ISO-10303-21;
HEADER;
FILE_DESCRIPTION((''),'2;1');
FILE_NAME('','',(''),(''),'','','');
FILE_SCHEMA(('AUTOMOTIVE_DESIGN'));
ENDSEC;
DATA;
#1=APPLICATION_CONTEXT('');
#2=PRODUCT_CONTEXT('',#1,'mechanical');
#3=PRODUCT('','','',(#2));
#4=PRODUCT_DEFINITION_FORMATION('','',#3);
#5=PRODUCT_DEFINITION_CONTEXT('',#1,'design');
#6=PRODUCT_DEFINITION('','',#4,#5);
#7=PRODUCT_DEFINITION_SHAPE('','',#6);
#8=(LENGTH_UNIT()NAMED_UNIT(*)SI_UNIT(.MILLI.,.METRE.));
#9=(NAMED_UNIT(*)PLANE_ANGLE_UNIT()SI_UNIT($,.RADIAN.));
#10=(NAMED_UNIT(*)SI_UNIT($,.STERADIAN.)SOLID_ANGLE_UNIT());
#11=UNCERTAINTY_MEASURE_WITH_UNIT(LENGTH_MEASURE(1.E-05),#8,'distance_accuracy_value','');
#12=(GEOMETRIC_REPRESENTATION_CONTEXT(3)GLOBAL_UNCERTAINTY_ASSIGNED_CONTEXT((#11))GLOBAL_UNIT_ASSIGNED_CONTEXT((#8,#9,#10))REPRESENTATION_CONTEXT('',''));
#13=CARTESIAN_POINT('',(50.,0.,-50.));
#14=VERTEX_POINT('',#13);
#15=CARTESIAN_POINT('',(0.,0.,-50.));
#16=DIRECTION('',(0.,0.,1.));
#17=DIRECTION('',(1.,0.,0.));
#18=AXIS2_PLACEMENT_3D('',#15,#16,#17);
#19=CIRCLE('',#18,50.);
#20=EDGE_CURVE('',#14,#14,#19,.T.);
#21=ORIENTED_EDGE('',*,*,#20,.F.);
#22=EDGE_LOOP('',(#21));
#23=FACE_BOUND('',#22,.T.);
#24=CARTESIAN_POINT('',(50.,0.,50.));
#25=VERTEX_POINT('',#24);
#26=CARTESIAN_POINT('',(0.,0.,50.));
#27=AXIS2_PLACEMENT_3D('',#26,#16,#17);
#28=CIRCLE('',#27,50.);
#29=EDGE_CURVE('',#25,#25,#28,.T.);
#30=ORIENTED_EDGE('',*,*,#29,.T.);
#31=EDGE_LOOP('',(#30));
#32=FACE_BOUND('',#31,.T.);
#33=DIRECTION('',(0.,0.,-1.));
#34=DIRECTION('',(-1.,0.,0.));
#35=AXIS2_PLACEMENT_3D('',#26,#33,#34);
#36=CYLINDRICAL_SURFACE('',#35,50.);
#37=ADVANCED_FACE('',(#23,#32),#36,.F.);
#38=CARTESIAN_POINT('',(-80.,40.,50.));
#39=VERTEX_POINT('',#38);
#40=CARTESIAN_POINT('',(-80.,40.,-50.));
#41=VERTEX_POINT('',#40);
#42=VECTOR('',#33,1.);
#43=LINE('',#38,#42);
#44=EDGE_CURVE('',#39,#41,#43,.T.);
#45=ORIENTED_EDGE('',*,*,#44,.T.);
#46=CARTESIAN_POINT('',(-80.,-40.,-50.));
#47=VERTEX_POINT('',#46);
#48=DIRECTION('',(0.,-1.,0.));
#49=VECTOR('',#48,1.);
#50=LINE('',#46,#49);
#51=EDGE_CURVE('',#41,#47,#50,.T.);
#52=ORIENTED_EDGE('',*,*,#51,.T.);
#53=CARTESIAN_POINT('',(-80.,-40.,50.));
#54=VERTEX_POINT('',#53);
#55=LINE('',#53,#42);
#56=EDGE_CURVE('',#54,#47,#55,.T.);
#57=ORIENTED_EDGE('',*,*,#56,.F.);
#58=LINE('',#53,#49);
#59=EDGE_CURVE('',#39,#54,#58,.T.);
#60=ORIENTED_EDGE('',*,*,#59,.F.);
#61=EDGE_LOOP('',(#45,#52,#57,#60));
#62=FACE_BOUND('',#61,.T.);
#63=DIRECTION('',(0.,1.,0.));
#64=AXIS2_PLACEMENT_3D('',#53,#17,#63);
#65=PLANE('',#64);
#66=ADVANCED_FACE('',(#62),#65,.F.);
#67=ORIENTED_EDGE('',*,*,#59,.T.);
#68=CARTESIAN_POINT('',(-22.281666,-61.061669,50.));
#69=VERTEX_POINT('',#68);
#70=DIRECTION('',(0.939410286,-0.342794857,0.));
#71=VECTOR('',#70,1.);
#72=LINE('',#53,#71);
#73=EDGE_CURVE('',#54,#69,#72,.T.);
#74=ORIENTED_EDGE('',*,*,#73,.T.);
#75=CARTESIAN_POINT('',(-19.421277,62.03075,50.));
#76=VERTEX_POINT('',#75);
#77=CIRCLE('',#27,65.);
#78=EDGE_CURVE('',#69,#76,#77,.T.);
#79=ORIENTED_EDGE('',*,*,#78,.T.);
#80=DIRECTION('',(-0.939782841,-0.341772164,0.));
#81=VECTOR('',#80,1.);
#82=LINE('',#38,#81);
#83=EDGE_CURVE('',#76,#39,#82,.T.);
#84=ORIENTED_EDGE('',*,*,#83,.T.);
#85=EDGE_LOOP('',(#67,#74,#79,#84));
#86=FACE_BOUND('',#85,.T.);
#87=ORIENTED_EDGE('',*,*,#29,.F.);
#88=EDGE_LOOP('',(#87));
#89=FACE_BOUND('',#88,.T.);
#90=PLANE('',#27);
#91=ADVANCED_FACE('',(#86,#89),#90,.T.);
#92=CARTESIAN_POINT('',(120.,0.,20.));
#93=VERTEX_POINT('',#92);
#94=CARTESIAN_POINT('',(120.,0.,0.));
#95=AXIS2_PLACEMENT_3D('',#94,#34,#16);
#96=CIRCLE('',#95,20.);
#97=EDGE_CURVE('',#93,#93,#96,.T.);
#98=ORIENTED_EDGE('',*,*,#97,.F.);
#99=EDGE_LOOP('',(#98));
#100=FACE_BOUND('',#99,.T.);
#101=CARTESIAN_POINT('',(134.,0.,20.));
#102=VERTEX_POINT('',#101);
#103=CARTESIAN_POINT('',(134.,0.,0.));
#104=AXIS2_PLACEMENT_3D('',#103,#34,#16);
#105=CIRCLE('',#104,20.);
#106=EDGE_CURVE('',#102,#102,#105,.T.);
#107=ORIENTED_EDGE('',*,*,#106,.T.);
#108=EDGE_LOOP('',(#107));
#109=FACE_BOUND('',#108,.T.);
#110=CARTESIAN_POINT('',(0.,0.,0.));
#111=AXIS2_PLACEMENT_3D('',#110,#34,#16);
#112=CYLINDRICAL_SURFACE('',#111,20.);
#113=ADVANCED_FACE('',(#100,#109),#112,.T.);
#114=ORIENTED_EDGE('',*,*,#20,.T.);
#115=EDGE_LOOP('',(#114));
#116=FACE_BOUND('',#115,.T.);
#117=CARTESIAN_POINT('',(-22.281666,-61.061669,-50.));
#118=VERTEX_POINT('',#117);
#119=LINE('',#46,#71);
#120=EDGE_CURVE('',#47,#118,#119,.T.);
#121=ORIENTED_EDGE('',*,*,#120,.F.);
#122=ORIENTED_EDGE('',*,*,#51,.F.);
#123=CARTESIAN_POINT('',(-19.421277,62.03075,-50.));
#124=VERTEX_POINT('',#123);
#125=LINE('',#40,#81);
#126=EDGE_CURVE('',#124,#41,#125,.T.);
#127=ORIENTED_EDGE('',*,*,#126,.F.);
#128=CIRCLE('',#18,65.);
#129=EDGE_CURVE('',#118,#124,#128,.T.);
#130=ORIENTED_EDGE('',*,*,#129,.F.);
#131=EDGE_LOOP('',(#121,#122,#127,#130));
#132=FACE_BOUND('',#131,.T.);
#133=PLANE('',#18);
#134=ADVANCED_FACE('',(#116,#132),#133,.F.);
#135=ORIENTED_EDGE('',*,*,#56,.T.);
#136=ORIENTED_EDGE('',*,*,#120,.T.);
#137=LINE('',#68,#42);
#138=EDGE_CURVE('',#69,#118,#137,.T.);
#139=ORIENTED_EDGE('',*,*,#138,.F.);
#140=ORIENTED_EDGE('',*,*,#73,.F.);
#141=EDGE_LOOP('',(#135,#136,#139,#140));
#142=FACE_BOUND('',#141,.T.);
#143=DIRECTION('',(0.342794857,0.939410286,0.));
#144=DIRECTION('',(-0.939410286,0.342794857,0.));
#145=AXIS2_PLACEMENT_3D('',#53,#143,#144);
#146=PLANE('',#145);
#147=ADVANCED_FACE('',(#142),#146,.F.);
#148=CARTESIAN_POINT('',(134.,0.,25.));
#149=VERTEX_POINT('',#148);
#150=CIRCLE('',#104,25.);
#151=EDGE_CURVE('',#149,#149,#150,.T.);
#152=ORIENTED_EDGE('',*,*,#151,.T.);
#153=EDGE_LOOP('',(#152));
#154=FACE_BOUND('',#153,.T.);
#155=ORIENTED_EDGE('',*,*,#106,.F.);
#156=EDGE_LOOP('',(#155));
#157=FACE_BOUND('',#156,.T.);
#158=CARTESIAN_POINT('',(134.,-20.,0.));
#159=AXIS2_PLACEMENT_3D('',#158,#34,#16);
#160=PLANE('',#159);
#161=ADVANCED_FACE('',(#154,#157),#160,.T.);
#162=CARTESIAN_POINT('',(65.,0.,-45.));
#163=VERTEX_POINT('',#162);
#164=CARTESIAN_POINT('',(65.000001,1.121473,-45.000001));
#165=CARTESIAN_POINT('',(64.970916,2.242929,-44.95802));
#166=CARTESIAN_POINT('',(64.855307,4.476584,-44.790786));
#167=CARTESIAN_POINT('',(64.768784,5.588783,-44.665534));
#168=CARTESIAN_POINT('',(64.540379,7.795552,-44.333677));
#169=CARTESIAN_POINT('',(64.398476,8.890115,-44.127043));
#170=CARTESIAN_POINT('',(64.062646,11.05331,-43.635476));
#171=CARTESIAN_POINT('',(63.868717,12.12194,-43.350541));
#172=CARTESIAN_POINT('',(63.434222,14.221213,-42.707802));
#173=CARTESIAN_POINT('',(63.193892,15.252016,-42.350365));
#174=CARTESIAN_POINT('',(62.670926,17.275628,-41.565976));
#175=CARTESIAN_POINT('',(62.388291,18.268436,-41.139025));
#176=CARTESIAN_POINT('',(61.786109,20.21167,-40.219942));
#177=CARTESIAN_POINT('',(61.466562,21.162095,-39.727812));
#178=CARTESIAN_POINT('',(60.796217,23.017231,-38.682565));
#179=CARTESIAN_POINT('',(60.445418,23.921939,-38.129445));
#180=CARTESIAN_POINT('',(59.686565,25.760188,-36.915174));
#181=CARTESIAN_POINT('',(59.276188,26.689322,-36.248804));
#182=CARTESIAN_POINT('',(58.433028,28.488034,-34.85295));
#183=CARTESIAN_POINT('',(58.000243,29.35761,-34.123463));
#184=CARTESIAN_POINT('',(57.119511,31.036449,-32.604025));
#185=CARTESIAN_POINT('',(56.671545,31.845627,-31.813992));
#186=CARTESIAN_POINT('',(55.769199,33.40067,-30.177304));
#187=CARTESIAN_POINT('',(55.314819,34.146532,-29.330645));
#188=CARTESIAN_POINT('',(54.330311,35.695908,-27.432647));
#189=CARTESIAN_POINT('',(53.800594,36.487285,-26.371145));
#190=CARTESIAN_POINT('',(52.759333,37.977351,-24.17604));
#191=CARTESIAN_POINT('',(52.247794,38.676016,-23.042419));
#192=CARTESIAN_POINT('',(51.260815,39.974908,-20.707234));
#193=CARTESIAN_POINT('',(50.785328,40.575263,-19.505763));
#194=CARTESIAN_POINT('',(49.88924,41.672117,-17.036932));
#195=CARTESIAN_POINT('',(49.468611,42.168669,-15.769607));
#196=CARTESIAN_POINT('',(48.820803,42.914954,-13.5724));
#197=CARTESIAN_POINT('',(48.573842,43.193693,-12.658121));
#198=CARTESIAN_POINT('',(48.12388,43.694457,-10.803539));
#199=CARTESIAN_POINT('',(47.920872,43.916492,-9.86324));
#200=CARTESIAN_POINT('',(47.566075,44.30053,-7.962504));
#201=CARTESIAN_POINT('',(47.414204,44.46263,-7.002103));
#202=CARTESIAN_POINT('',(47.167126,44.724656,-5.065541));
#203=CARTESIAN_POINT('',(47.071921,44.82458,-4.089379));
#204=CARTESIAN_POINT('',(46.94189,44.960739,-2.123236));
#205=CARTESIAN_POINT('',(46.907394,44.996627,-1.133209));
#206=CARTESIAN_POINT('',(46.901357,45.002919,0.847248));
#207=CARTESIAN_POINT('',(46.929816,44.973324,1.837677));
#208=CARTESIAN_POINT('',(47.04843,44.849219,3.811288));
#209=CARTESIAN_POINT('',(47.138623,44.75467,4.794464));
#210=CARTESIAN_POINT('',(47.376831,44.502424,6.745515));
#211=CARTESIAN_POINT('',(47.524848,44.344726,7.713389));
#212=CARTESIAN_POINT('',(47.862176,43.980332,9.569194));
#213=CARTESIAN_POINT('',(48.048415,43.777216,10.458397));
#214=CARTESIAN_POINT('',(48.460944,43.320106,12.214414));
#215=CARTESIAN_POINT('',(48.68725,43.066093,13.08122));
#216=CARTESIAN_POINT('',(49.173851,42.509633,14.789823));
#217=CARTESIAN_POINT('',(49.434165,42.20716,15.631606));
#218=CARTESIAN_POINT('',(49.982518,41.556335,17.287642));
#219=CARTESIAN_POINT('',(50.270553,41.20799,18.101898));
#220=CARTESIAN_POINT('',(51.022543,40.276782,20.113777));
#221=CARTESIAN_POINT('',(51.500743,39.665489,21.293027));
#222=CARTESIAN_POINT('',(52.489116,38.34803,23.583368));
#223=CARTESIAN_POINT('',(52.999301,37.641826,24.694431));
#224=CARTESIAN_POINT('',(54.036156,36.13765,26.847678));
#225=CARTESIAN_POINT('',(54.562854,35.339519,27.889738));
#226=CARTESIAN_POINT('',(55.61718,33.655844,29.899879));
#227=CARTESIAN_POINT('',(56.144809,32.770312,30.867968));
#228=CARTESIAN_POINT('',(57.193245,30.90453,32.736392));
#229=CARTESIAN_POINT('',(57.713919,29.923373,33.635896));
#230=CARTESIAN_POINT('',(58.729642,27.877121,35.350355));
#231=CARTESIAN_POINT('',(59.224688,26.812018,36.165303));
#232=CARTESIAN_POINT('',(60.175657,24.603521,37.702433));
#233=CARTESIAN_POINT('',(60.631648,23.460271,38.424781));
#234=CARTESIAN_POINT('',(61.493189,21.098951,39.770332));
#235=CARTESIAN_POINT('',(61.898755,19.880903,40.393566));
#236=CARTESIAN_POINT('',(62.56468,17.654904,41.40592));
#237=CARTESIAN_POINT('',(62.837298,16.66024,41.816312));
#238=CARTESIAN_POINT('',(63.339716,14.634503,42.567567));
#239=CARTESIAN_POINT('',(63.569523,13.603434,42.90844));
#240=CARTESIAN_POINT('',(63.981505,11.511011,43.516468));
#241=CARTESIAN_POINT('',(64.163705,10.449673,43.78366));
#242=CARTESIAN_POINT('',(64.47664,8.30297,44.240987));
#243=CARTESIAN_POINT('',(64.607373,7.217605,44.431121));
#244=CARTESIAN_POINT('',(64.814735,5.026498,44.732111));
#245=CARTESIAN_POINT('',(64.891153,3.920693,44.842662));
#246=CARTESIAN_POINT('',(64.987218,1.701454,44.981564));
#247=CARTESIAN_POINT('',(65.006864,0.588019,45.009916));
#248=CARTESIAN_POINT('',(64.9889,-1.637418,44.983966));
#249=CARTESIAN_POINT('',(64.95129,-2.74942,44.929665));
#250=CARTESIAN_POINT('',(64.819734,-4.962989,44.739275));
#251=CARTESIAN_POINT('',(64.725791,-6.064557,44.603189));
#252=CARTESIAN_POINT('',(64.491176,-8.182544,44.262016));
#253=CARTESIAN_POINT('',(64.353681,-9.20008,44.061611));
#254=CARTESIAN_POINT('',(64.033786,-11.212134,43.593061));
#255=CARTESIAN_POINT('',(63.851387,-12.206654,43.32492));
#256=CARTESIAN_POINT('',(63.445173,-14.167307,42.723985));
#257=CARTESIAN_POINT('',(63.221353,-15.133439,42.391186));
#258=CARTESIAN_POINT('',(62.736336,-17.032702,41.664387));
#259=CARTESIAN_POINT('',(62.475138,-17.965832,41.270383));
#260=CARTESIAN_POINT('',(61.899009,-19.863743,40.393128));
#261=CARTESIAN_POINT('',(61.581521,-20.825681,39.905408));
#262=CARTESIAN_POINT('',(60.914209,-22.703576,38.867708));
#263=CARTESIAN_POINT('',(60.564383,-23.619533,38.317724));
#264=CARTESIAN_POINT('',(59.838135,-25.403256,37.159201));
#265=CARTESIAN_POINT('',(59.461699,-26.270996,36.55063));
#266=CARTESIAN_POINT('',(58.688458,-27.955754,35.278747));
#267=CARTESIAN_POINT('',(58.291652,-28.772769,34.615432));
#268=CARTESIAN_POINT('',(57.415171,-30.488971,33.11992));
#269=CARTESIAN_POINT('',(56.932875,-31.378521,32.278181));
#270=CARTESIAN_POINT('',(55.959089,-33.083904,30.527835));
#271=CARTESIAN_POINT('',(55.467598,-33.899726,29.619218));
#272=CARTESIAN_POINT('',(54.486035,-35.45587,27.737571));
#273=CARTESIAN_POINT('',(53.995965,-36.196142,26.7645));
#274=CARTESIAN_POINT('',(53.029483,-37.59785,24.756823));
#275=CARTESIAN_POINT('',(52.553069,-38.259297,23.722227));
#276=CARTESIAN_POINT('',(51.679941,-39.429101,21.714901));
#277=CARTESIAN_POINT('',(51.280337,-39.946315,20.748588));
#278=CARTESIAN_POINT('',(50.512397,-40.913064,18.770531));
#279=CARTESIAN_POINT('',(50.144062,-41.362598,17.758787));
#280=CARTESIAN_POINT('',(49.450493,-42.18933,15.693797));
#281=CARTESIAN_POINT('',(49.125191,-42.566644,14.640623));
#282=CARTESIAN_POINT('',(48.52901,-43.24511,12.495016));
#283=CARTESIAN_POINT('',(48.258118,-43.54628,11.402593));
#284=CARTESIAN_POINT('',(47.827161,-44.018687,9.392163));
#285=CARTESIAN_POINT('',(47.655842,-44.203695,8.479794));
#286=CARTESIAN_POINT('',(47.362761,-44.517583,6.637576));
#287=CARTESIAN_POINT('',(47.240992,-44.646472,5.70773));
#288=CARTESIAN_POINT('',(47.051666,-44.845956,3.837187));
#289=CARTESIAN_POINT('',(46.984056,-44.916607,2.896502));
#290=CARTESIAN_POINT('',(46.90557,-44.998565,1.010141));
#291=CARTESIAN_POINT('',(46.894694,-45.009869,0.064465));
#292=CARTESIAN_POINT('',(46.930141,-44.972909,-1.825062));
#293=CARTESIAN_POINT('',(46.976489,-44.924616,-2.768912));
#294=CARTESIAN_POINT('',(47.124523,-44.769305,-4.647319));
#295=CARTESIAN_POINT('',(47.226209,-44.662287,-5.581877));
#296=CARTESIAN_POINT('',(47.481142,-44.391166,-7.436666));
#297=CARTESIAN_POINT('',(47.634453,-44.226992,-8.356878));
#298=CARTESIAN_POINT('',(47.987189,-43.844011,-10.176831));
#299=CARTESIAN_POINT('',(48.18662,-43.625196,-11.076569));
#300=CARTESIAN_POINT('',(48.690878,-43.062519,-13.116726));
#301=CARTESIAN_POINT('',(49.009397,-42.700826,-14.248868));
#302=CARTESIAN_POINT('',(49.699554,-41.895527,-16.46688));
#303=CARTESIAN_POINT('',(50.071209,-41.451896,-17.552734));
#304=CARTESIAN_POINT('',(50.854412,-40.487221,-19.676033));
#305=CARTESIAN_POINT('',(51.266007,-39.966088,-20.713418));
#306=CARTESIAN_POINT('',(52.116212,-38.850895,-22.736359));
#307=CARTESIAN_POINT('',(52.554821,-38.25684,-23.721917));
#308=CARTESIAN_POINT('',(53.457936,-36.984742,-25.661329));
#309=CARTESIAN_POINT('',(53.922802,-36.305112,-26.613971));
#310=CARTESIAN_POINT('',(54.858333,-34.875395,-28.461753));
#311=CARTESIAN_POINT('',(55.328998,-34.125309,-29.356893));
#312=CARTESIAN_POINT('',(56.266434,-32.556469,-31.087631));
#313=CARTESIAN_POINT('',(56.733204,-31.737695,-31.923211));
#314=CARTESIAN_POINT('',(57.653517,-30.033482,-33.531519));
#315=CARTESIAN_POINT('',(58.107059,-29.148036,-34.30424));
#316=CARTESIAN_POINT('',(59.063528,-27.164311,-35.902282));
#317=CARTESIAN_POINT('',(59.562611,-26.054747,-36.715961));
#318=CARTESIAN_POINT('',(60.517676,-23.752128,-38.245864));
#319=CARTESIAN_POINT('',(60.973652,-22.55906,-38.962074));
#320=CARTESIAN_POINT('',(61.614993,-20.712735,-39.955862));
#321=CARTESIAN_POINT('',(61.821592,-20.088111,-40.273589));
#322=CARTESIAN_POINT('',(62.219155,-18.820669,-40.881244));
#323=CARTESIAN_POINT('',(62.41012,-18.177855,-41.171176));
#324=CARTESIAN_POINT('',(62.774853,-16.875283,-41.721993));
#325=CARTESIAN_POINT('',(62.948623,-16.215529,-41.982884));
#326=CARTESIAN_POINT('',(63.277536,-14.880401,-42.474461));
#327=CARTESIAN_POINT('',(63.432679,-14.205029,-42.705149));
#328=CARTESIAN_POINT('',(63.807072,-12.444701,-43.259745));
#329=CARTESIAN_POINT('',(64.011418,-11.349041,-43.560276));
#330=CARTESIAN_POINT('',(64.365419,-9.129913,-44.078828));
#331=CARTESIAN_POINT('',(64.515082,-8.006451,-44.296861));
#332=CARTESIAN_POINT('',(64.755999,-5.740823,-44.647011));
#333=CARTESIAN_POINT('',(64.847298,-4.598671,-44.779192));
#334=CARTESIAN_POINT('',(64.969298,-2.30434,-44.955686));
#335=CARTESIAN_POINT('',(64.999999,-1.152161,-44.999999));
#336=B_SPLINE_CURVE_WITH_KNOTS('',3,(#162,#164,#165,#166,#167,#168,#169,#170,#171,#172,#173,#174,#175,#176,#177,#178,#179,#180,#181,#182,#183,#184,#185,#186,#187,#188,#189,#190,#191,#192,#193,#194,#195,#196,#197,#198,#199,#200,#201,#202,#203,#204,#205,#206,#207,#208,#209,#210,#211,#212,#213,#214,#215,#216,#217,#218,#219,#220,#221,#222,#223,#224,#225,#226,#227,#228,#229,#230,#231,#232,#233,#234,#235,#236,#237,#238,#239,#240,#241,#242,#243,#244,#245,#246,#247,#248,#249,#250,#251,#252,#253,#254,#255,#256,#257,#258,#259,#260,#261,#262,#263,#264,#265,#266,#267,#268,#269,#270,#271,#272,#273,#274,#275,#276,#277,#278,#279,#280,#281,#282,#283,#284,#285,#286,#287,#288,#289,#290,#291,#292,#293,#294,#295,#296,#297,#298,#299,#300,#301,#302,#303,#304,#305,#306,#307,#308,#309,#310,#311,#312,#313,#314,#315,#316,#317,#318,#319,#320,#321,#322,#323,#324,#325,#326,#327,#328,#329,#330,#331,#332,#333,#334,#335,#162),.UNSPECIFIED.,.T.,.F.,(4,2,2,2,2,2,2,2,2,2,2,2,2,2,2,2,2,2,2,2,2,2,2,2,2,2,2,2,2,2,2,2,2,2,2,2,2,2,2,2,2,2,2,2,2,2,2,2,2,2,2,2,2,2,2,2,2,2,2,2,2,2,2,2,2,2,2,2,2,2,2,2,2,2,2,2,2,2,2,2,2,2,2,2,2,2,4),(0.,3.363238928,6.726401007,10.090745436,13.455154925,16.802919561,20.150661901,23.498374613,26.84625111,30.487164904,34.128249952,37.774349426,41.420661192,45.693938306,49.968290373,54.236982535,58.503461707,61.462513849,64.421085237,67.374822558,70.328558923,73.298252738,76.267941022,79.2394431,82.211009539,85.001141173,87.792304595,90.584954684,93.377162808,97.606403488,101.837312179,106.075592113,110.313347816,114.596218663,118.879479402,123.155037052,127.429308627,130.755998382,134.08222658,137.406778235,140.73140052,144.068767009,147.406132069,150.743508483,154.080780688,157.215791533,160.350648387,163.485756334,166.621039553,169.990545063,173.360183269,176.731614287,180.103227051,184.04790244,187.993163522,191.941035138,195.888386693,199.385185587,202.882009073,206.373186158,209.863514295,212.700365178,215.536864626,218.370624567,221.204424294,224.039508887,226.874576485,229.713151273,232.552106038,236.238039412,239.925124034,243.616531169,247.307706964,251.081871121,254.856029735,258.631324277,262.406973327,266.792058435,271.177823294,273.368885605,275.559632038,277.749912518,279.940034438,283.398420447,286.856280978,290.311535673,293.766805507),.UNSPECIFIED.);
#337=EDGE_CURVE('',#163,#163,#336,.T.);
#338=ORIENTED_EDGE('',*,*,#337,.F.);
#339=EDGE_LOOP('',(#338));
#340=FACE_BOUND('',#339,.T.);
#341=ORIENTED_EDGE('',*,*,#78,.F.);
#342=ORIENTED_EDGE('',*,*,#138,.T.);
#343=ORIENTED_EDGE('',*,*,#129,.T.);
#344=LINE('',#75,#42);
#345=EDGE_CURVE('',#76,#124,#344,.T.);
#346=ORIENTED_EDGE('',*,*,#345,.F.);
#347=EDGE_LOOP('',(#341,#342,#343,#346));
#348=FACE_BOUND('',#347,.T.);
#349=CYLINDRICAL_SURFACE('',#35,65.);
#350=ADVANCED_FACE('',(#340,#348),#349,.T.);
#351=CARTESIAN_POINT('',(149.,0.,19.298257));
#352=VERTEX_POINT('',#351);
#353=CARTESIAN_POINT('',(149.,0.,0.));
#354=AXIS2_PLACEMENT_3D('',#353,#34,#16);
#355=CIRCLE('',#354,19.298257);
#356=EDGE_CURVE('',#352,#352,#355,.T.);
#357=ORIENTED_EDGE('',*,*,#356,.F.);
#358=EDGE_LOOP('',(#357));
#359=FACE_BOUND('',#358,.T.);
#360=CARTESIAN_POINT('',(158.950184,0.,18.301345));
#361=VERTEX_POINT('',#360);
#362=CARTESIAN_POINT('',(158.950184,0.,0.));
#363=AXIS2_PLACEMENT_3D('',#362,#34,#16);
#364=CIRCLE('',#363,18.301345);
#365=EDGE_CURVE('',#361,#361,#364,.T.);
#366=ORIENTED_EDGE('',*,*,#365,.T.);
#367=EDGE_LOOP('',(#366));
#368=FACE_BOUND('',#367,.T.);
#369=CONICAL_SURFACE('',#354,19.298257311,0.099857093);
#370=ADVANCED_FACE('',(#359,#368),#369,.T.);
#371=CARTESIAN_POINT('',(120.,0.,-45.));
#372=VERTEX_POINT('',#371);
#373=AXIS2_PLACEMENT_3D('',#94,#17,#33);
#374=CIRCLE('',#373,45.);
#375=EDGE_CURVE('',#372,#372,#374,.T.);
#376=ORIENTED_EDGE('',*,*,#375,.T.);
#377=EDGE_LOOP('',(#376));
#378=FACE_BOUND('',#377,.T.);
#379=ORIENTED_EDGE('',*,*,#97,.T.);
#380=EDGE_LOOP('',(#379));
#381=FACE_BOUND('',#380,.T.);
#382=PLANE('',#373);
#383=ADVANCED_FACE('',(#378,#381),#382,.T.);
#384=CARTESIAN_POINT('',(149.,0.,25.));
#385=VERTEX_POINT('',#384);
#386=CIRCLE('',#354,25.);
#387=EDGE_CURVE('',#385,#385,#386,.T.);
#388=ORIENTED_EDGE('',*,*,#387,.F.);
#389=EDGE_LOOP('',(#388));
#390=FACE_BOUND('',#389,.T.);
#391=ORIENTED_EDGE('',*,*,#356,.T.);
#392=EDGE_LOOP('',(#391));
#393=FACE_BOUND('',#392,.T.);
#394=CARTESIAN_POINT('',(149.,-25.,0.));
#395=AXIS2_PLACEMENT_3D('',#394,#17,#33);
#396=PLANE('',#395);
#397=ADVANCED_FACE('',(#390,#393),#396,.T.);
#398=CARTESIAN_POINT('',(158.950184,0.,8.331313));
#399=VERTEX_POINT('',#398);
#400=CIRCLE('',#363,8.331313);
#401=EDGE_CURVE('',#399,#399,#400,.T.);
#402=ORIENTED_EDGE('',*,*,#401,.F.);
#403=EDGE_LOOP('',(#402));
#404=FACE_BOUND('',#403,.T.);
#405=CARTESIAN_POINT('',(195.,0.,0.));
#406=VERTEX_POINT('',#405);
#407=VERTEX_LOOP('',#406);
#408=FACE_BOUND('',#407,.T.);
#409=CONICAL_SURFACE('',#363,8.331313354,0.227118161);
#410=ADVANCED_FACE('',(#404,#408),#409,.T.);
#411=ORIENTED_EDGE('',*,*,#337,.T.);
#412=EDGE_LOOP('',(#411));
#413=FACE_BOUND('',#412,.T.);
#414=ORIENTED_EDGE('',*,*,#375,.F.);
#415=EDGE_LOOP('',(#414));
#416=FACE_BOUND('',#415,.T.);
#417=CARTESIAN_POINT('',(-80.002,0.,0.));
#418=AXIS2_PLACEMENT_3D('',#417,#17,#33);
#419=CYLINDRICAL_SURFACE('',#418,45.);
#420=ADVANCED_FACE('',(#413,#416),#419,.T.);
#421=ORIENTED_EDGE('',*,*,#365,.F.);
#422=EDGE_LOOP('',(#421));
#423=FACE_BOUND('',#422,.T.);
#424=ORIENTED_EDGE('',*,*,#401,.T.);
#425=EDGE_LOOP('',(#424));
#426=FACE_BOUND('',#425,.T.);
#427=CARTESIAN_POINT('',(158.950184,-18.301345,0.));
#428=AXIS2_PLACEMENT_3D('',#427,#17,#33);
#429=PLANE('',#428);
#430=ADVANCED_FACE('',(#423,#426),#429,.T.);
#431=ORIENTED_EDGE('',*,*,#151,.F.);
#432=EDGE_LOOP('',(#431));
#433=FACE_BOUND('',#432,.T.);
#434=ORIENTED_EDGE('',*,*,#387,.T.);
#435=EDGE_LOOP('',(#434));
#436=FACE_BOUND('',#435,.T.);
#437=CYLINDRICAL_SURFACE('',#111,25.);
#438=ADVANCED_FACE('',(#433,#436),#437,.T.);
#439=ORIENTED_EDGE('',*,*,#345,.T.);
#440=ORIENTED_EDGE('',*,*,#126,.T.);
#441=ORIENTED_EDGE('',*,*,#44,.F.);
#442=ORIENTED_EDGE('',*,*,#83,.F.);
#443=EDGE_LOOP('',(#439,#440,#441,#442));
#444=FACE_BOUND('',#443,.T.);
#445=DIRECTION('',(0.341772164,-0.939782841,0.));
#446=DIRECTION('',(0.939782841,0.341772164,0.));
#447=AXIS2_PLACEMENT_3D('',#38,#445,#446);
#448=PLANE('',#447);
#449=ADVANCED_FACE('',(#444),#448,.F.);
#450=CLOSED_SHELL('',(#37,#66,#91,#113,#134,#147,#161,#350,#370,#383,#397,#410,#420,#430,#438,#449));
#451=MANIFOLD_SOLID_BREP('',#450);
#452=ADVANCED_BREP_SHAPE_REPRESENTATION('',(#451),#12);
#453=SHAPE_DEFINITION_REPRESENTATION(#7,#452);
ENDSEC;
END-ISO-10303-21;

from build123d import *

# Parameters (mm, degrees)
SKETCH1_R           = 50
BOSS_EXTRUDE1_DEPTH = 50
BOSS_EXTRUDE2_REACH = 202
SKETCH2_R           = 45


with BuildPart() as part:
    # Sketch1 → Boss-Extrude1 (new body, symmetric)
    with BuildSketch(Plane.XY):
        with BuildLine():
            Line((-80, -40), (-80, 40))
            Line((-80, 40), (-19.421277332, 62.030750332))
            ThreePointArc((-19.421277332, 62.030750332), (64.982457362, -1.51004478), (-22.281665693, -61.061668614))
            Line((-22.281665693, -61.061668614), (-80, -40))
        make_face()
        Circle(SKETCH1_R, mode=Mode.SUBTRACT)
    extrude(amount=BOSS_EXTRUDE1_DEPTH, both=True)

    # Sketch2 → Boss-Extrude2 (add, up to next)
    with BuildSketch(Plane(origin=(120, 0, 0), x_dir=(0, 0, -1), z_dir=(1, 0, 0)), mode=Mode.PRIVATE) as boss_extrude2_sk1:
        Circle(SKETCH2_R)
    boss_extrude2_tool1 = extrude(boss_extrude2_sk1.sketch, amount=-BOSS_EXTRUDE2_REACH, mode=Mode.PRIVATE) - part.part
    add(boss_extrude2_tool1.solids().sort_by_distance((120, 0, 0))[0])

    # Sketch3 → Revolve1 (revolve)
    with BuildSketch(Plane.XY):
        Polygon((120, 0), (120, -20), (134, -20), (134, -25), (149, -25), (149, -19.298257311), (158.95018422, -18.301345082), (158.95018422, -8.331313354), (195, 0), align=None)
    revolve(axis=Axis((0, 0, 0), (1, 0, 0)))


solid = part.part
